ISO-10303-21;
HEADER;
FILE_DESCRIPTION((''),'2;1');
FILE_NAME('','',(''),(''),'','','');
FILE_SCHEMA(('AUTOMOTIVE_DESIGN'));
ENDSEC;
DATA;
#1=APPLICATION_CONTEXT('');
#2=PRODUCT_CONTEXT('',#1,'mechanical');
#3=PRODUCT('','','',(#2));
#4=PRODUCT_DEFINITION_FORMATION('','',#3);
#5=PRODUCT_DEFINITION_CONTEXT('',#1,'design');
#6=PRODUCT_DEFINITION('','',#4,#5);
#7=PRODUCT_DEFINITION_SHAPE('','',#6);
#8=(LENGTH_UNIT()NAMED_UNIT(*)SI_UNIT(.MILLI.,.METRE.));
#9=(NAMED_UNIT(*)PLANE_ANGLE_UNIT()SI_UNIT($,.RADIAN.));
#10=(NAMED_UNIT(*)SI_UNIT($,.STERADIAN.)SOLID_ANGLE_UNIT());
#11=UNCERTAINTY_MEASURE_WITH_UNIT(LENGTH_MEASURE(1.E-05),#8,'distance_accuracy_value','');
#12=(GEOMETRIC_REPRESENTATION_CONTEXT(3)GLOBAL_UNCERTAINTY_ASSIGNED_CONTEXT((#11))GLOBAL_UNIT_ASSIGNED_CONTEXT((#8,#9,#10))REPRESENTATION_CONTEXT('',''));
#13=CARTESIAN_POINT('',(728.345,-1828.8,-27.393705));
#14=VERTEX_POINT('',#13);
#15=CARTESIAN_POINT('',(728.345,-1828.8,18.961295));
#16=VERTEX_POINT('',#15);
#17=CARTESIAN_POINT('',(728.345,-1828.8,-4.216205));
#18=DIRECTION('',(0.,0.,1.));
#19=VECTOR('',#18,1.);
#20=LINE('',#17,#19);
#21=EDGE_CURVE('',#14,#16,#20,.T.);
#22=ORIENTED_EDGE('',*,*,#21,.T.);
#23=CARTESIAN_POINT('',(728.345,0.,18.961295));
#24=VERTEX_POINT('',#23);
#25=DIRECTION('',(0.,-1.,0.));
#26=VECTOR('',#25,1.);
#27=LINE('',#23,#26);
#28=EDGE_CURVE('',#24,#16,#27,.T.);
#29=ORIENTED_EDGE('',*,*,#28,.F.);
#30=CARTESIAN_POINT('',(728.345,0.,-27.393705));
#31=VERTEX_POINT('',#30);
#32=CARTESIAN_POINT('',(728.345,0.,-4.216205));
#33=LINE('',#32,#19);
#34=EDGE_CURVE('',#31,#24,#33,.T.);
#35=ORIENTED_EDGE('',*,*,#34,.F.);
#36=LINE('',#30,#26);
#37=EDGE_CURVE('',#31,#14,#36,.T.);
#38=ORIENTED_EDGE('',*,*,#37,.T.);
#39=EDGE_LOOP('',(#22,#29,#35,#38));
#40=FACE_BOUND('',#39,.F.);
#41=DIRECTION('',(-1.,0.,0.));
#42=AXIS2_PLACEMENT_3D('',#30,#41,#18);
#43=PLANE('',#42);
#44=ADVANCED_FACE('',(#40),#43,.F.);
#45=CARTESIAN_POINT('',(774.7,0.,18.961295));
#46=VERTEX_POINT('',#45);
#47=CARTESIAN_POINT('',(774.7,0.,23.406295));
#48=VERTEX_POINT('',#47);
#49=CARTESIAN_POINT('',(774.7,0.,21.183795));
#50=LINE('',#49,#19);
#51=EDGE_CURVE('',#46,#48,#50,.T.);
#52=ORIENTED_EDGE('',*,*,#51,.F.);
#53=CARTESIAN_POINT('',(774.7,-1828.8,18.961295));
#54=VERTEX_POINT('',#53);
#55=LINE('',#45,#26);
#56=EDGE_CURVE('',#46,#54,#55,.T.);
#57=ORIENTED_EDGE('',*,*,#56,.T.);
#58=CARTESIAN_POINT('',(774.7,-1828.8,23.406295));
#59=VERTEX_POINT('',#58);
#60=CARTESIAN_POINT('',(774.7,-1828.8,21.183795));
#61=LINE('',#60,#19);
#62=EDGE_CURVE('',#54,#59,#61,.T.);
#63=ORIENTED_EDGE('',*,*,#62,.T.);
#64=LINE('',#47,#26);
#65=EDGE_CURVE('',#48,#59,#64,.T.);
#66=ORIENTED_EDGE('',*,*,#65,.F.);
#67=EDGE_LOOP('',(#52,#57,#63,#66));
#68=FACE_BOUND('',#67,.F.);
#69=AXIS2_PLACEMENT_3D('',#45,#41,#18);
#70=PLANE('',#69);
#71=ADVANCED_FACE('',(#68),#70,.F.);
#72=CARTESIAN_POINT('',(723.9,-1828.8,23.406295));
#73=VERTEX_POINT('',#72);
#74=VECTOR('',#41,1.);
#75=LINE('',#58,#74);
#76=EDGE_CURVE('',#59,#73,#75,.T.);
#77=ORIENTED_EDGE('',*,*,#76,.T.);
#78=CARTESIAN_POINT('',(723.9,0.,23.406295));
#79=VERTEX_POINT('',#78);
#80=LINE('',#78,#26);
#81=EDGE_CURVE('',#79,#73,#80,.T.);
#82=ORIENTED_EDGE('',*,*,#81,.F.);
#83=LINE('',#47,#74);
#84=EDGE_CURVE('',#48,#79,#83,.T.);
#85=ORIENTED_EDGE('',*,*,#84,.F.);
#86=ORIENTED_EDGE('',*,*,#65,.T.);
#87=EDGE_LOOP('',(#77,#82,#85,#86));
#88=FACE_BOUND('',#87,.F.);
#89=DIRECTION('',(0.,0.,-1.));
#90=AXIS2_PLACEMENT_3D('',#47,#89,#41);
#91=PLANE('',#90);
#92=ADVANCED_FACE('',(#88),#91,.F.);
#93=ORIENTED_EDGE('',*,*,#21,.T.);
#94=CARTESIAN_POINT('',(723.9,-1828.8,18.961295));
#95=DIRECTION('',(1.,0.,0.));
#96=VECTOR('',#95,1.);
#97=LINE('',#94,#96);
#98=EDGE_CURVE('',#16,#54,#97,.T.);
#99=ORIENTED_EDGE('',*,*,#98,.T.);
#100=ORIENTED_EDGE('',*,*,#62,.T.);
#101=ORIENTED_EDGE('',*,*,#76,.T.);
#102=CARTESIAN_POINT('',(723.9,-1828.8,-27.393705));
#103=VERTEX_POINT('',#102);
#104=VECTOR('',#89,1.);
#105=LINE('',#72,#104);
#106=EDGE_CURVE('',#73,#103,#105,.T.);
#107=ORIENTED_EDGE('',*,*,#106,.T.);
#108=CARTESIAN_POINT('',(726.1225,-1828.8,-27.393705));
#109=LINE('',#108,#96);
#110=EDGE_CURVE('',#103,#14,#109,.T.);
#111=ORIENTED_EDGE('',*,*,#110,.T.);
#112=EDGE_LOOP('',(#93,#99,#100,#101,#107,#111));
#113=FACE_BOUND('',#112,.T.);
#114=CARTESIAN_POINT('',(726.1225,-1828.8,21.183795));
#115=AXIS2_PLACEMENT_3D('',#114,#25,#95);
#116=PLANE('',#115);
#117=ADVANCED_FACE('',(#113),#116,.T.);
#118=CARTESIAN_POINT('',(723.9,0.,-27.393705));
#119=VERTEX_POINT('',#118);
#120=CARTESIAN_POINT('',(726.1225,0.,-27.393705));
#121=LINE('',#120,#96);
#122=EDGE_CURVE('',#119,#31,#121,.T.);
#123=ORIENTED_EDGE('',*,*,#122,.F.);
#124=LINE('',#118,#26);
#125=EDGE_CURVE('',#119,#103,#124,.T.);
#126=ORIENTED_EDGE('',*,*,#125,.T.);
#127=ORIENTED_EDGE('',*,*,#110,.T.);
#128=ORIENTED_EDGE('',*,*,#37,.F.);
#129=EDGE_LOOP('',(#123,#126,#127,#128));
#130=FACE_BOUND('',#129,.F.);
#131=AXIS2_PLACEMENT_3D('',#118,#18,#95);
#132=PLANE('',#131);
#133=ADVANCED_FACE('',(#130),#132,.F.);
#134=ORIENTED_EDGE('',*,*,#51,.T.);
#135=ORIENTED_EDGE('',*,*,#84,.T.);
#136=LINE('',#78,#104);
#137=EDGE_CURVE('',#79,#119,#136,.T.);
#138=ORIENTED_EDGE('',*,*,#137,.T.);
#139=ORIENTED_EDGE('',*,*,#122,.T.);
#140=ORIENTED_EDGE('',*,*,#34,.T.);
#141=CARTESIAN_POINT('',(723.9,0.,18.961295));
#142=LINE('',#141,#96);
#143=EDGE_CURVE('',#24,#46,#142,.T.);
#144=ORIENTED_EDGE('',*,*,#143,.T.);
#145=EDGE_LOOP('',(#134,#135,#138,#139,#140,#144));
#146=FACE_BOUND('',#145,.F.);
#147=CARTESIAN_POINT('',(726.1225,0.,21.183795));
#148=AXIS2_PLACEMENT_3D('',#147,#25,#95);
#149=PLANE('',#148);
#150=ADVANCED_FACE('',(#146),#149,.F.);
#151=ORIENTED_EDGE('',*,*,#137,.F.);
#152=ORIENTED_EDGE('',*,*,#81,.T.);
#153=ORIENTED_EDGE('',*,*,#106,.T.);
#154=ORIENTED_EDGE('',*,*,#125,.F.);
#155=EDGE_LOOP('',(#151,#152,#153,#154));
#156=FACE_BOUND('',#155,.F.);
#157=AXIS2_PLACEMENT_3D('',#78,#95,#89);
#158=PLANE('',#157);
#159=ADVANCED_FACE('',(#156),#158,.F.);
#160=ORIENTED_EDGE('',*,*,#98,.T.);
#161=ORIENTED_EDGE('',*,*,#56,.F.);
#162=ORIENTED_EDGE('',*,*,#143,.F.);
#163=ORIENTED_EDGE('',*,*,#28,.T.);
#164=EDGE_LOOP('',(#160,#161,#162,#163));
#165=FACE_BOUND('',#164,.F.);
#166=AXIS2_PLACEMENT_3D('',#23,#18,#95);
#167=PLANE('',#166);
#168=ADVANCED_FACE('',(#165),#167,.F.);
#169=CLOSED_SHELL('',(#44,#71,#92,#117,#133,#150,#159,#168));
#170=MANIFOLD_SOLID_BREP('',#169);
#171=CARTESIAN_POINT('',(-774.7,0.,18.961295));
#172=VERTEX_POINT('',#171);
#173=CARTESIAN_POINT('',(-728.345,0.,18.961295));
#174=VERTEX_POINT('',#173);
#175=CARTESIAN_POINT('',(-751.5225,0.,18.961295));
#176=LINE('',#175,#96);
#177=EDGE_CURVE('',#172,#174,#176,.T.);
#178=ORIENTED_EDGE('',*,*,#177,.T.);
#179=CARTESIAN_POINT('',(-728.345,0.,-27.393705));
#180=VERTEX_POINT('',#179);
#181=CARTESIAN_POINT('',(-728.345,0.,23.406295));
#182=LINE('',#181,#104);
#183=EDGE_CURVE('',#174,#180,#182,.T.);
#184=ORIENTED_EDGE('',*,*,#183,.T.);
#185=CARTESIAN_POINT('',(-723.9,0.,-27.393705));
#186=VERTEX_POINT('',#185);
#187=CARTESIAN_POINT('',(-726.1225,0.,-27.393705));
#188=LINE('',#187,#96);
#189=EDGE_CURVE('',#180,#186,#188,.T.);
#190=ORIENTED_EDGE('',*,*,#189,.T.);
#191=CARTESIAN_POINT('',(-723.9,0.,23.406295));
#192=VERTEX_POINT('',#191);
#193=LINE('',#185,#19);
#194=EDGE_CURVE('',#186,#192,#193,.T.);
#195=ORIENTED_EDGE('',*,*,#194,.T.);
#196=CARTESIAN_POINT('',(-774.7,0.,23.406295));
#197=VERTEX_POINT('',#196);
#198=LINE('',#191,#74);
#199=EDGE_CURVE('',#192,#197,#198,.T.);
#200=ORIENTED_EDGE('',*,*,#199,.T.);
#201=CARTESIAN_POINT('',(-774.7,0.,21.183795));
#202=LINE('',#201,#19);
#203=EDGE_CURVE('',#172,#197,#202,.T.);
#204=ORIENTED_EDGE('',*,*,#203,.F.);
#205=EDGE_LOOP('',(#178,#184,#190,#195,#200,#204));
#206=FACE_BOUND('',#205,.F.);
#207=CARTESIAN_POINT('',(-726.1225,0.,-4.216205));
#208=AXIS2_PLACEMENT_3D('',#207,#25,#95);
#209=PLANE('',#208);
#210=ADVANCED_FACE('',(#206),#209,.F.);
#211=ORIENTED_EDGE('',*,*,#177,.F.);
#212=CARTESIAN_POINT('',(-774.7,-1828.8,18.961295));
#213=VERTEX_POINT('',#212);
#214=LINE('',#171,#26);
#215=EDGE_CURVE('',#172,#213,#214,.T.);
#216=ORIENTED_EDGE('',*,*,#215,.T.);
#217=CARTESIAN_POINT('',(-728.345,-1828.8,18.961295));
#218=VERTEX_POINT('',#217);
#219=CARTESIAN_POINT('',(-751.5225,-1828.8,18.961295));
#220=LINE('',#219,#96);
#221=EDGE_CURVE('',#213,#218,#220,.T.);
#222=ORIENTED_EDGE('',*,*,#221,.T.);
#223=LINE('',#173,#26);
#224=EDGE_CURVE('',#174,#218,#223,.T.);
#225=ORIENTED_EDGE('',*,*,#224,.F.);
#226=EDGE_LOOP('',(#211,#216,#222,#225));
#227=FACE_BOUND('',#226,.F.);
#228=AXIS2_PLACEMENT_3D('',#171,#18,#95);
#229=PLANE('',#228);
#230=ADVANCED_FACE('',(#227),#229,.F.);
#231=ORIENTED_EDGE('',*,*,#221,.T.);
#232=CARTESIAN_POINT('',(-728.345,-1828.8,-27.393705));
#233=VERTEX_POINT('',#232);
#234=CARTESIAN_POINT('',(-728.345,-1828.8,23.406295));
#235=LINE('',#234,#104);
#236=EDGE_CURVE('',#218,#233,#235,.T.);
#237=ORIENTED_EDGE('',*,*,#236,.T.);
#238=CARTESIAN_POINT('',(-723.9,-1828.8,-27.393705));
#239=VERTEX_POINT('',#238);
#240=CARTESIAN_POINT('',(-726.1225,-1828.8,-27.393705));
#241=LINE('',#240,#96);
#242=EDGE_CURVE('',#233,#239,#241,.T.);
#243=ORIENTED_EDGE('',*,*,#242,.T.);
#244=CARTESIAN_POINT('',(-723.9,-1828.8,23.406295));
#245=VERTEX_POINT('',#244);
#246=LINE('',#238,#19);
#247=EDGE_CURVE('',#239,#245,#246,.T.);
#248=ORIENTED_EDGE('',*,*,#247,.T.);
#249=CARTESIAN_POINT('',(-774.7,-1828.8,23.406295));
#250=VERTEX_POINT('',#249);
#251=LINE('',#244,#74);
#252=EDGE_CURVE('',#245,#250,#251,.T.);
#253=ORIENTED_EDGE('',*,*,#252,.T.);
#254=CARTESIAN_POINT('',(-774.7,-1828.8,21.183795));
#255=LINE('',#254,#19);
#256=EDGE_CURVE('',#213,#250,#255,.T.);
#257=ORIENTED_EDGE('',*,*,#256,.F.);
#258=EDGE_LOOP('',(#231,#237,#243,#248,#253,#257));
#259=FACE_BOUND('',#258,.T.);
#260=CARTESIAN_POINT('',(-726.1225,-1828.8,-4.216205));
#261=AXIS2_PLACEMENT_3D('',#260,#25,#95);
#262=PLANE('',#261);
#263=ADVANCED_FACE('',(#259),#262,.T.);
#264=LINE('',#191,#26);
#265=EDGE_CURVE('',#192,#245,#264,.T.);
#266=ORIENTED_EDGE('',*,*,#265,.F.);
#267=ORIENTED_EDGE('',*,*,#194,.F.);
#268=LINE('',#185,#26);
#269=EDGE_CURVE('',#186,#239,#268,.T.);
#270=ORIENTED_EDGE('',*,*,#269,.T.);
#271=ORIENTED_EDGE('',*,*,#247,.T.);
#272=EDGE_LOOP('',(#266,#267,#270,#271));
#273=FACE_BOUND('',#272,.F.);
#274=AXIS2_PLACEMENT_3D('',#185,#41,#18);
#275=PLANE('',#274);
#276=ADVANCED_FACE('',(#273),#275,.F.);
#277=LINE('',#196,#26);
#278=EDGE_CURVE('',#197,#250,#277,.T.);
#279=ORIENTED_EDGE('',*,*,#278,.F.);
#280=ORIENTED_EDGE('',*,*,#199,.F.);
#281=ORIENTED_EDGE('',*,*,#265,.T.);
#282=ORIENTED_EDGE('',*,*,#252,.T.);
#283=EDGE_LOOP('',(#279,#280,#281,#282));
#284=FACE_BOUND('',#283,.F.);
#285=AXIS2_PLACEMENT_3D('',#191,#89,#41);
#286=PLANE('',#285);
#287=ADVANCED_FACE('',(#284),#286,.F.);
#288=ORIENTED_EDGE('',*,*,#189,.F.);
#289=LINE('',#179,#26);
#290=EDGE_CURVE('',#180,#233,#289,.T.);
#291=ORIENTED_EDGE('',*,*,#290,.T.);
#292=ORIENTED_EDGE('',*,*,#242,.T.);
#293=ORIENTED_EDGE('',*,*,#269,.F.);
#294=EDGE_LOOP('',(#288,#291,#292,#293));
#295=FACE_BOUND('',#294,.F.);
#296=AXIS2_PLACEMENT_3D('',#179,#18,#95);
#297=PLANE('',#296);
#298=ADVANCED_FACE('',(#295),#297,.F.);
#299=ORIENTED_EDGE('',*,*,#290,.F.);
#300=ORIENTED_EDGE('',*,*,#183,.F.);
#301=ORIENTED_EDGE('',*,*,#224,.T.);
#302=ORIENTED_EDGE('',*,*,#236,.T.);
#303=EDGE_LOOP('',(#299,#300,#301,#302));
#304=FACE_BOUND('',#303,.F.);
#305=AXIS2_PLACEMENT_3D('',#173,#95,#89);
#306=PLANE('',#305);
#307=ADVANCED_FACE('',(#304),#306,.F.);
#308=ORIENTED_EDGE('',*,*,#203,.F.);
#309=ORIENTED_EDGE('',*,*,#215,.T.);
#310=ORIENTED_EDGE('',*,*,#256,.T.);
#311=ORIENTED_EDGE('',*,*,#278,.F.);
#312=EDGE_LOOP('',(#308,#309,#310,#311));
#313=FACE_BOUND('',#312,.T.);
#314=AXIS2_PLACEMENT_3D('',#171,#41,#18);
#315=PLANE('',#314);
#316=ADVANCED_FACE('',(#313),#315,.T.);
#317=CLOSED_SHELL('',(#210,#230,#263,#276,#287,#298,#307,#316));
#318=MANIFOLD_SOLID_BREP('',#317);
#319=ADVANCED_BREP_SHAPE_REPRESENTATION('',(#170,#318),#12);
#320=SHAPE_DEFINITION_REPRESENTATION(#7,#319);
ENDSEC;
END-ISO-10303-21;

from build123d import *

# Parameters (mm, degrees)
F0_W     = 4.445
F0_H     = 46.355
F0_H_2   = 4.445
F0_W_2   = 46.355
F1_DEPTH = 1828.8


with BuildPart() as f1:
    # F0 (on Front) → F1 (new body)
    with BuildSketch(Plane.XZ):
        with Locations((-726.1225, -4.216205)):
            Rectangle(F0_W, F0_H)
        with Locations((-726.1225, 21.183795)):
            Rectangle(F0_W, F0_H_2)
        with Locations((-751.5225, 21.183795)):
            Rectangle(F0_W_2, F0_H_2)
        with Locations((726.1225, 21.183795)):
            Rectangle(F0_W, F0_H_2)
        with Locations((751.5225, 21.183795)):
            Rectangle(F0_W_2, F0_H_2)
        with Locations((726.1225, -4.216205)):
            Rectangle(F0_W, F0_H)
    extrude(amount=F1_DEPTH)


solid = f1.part
